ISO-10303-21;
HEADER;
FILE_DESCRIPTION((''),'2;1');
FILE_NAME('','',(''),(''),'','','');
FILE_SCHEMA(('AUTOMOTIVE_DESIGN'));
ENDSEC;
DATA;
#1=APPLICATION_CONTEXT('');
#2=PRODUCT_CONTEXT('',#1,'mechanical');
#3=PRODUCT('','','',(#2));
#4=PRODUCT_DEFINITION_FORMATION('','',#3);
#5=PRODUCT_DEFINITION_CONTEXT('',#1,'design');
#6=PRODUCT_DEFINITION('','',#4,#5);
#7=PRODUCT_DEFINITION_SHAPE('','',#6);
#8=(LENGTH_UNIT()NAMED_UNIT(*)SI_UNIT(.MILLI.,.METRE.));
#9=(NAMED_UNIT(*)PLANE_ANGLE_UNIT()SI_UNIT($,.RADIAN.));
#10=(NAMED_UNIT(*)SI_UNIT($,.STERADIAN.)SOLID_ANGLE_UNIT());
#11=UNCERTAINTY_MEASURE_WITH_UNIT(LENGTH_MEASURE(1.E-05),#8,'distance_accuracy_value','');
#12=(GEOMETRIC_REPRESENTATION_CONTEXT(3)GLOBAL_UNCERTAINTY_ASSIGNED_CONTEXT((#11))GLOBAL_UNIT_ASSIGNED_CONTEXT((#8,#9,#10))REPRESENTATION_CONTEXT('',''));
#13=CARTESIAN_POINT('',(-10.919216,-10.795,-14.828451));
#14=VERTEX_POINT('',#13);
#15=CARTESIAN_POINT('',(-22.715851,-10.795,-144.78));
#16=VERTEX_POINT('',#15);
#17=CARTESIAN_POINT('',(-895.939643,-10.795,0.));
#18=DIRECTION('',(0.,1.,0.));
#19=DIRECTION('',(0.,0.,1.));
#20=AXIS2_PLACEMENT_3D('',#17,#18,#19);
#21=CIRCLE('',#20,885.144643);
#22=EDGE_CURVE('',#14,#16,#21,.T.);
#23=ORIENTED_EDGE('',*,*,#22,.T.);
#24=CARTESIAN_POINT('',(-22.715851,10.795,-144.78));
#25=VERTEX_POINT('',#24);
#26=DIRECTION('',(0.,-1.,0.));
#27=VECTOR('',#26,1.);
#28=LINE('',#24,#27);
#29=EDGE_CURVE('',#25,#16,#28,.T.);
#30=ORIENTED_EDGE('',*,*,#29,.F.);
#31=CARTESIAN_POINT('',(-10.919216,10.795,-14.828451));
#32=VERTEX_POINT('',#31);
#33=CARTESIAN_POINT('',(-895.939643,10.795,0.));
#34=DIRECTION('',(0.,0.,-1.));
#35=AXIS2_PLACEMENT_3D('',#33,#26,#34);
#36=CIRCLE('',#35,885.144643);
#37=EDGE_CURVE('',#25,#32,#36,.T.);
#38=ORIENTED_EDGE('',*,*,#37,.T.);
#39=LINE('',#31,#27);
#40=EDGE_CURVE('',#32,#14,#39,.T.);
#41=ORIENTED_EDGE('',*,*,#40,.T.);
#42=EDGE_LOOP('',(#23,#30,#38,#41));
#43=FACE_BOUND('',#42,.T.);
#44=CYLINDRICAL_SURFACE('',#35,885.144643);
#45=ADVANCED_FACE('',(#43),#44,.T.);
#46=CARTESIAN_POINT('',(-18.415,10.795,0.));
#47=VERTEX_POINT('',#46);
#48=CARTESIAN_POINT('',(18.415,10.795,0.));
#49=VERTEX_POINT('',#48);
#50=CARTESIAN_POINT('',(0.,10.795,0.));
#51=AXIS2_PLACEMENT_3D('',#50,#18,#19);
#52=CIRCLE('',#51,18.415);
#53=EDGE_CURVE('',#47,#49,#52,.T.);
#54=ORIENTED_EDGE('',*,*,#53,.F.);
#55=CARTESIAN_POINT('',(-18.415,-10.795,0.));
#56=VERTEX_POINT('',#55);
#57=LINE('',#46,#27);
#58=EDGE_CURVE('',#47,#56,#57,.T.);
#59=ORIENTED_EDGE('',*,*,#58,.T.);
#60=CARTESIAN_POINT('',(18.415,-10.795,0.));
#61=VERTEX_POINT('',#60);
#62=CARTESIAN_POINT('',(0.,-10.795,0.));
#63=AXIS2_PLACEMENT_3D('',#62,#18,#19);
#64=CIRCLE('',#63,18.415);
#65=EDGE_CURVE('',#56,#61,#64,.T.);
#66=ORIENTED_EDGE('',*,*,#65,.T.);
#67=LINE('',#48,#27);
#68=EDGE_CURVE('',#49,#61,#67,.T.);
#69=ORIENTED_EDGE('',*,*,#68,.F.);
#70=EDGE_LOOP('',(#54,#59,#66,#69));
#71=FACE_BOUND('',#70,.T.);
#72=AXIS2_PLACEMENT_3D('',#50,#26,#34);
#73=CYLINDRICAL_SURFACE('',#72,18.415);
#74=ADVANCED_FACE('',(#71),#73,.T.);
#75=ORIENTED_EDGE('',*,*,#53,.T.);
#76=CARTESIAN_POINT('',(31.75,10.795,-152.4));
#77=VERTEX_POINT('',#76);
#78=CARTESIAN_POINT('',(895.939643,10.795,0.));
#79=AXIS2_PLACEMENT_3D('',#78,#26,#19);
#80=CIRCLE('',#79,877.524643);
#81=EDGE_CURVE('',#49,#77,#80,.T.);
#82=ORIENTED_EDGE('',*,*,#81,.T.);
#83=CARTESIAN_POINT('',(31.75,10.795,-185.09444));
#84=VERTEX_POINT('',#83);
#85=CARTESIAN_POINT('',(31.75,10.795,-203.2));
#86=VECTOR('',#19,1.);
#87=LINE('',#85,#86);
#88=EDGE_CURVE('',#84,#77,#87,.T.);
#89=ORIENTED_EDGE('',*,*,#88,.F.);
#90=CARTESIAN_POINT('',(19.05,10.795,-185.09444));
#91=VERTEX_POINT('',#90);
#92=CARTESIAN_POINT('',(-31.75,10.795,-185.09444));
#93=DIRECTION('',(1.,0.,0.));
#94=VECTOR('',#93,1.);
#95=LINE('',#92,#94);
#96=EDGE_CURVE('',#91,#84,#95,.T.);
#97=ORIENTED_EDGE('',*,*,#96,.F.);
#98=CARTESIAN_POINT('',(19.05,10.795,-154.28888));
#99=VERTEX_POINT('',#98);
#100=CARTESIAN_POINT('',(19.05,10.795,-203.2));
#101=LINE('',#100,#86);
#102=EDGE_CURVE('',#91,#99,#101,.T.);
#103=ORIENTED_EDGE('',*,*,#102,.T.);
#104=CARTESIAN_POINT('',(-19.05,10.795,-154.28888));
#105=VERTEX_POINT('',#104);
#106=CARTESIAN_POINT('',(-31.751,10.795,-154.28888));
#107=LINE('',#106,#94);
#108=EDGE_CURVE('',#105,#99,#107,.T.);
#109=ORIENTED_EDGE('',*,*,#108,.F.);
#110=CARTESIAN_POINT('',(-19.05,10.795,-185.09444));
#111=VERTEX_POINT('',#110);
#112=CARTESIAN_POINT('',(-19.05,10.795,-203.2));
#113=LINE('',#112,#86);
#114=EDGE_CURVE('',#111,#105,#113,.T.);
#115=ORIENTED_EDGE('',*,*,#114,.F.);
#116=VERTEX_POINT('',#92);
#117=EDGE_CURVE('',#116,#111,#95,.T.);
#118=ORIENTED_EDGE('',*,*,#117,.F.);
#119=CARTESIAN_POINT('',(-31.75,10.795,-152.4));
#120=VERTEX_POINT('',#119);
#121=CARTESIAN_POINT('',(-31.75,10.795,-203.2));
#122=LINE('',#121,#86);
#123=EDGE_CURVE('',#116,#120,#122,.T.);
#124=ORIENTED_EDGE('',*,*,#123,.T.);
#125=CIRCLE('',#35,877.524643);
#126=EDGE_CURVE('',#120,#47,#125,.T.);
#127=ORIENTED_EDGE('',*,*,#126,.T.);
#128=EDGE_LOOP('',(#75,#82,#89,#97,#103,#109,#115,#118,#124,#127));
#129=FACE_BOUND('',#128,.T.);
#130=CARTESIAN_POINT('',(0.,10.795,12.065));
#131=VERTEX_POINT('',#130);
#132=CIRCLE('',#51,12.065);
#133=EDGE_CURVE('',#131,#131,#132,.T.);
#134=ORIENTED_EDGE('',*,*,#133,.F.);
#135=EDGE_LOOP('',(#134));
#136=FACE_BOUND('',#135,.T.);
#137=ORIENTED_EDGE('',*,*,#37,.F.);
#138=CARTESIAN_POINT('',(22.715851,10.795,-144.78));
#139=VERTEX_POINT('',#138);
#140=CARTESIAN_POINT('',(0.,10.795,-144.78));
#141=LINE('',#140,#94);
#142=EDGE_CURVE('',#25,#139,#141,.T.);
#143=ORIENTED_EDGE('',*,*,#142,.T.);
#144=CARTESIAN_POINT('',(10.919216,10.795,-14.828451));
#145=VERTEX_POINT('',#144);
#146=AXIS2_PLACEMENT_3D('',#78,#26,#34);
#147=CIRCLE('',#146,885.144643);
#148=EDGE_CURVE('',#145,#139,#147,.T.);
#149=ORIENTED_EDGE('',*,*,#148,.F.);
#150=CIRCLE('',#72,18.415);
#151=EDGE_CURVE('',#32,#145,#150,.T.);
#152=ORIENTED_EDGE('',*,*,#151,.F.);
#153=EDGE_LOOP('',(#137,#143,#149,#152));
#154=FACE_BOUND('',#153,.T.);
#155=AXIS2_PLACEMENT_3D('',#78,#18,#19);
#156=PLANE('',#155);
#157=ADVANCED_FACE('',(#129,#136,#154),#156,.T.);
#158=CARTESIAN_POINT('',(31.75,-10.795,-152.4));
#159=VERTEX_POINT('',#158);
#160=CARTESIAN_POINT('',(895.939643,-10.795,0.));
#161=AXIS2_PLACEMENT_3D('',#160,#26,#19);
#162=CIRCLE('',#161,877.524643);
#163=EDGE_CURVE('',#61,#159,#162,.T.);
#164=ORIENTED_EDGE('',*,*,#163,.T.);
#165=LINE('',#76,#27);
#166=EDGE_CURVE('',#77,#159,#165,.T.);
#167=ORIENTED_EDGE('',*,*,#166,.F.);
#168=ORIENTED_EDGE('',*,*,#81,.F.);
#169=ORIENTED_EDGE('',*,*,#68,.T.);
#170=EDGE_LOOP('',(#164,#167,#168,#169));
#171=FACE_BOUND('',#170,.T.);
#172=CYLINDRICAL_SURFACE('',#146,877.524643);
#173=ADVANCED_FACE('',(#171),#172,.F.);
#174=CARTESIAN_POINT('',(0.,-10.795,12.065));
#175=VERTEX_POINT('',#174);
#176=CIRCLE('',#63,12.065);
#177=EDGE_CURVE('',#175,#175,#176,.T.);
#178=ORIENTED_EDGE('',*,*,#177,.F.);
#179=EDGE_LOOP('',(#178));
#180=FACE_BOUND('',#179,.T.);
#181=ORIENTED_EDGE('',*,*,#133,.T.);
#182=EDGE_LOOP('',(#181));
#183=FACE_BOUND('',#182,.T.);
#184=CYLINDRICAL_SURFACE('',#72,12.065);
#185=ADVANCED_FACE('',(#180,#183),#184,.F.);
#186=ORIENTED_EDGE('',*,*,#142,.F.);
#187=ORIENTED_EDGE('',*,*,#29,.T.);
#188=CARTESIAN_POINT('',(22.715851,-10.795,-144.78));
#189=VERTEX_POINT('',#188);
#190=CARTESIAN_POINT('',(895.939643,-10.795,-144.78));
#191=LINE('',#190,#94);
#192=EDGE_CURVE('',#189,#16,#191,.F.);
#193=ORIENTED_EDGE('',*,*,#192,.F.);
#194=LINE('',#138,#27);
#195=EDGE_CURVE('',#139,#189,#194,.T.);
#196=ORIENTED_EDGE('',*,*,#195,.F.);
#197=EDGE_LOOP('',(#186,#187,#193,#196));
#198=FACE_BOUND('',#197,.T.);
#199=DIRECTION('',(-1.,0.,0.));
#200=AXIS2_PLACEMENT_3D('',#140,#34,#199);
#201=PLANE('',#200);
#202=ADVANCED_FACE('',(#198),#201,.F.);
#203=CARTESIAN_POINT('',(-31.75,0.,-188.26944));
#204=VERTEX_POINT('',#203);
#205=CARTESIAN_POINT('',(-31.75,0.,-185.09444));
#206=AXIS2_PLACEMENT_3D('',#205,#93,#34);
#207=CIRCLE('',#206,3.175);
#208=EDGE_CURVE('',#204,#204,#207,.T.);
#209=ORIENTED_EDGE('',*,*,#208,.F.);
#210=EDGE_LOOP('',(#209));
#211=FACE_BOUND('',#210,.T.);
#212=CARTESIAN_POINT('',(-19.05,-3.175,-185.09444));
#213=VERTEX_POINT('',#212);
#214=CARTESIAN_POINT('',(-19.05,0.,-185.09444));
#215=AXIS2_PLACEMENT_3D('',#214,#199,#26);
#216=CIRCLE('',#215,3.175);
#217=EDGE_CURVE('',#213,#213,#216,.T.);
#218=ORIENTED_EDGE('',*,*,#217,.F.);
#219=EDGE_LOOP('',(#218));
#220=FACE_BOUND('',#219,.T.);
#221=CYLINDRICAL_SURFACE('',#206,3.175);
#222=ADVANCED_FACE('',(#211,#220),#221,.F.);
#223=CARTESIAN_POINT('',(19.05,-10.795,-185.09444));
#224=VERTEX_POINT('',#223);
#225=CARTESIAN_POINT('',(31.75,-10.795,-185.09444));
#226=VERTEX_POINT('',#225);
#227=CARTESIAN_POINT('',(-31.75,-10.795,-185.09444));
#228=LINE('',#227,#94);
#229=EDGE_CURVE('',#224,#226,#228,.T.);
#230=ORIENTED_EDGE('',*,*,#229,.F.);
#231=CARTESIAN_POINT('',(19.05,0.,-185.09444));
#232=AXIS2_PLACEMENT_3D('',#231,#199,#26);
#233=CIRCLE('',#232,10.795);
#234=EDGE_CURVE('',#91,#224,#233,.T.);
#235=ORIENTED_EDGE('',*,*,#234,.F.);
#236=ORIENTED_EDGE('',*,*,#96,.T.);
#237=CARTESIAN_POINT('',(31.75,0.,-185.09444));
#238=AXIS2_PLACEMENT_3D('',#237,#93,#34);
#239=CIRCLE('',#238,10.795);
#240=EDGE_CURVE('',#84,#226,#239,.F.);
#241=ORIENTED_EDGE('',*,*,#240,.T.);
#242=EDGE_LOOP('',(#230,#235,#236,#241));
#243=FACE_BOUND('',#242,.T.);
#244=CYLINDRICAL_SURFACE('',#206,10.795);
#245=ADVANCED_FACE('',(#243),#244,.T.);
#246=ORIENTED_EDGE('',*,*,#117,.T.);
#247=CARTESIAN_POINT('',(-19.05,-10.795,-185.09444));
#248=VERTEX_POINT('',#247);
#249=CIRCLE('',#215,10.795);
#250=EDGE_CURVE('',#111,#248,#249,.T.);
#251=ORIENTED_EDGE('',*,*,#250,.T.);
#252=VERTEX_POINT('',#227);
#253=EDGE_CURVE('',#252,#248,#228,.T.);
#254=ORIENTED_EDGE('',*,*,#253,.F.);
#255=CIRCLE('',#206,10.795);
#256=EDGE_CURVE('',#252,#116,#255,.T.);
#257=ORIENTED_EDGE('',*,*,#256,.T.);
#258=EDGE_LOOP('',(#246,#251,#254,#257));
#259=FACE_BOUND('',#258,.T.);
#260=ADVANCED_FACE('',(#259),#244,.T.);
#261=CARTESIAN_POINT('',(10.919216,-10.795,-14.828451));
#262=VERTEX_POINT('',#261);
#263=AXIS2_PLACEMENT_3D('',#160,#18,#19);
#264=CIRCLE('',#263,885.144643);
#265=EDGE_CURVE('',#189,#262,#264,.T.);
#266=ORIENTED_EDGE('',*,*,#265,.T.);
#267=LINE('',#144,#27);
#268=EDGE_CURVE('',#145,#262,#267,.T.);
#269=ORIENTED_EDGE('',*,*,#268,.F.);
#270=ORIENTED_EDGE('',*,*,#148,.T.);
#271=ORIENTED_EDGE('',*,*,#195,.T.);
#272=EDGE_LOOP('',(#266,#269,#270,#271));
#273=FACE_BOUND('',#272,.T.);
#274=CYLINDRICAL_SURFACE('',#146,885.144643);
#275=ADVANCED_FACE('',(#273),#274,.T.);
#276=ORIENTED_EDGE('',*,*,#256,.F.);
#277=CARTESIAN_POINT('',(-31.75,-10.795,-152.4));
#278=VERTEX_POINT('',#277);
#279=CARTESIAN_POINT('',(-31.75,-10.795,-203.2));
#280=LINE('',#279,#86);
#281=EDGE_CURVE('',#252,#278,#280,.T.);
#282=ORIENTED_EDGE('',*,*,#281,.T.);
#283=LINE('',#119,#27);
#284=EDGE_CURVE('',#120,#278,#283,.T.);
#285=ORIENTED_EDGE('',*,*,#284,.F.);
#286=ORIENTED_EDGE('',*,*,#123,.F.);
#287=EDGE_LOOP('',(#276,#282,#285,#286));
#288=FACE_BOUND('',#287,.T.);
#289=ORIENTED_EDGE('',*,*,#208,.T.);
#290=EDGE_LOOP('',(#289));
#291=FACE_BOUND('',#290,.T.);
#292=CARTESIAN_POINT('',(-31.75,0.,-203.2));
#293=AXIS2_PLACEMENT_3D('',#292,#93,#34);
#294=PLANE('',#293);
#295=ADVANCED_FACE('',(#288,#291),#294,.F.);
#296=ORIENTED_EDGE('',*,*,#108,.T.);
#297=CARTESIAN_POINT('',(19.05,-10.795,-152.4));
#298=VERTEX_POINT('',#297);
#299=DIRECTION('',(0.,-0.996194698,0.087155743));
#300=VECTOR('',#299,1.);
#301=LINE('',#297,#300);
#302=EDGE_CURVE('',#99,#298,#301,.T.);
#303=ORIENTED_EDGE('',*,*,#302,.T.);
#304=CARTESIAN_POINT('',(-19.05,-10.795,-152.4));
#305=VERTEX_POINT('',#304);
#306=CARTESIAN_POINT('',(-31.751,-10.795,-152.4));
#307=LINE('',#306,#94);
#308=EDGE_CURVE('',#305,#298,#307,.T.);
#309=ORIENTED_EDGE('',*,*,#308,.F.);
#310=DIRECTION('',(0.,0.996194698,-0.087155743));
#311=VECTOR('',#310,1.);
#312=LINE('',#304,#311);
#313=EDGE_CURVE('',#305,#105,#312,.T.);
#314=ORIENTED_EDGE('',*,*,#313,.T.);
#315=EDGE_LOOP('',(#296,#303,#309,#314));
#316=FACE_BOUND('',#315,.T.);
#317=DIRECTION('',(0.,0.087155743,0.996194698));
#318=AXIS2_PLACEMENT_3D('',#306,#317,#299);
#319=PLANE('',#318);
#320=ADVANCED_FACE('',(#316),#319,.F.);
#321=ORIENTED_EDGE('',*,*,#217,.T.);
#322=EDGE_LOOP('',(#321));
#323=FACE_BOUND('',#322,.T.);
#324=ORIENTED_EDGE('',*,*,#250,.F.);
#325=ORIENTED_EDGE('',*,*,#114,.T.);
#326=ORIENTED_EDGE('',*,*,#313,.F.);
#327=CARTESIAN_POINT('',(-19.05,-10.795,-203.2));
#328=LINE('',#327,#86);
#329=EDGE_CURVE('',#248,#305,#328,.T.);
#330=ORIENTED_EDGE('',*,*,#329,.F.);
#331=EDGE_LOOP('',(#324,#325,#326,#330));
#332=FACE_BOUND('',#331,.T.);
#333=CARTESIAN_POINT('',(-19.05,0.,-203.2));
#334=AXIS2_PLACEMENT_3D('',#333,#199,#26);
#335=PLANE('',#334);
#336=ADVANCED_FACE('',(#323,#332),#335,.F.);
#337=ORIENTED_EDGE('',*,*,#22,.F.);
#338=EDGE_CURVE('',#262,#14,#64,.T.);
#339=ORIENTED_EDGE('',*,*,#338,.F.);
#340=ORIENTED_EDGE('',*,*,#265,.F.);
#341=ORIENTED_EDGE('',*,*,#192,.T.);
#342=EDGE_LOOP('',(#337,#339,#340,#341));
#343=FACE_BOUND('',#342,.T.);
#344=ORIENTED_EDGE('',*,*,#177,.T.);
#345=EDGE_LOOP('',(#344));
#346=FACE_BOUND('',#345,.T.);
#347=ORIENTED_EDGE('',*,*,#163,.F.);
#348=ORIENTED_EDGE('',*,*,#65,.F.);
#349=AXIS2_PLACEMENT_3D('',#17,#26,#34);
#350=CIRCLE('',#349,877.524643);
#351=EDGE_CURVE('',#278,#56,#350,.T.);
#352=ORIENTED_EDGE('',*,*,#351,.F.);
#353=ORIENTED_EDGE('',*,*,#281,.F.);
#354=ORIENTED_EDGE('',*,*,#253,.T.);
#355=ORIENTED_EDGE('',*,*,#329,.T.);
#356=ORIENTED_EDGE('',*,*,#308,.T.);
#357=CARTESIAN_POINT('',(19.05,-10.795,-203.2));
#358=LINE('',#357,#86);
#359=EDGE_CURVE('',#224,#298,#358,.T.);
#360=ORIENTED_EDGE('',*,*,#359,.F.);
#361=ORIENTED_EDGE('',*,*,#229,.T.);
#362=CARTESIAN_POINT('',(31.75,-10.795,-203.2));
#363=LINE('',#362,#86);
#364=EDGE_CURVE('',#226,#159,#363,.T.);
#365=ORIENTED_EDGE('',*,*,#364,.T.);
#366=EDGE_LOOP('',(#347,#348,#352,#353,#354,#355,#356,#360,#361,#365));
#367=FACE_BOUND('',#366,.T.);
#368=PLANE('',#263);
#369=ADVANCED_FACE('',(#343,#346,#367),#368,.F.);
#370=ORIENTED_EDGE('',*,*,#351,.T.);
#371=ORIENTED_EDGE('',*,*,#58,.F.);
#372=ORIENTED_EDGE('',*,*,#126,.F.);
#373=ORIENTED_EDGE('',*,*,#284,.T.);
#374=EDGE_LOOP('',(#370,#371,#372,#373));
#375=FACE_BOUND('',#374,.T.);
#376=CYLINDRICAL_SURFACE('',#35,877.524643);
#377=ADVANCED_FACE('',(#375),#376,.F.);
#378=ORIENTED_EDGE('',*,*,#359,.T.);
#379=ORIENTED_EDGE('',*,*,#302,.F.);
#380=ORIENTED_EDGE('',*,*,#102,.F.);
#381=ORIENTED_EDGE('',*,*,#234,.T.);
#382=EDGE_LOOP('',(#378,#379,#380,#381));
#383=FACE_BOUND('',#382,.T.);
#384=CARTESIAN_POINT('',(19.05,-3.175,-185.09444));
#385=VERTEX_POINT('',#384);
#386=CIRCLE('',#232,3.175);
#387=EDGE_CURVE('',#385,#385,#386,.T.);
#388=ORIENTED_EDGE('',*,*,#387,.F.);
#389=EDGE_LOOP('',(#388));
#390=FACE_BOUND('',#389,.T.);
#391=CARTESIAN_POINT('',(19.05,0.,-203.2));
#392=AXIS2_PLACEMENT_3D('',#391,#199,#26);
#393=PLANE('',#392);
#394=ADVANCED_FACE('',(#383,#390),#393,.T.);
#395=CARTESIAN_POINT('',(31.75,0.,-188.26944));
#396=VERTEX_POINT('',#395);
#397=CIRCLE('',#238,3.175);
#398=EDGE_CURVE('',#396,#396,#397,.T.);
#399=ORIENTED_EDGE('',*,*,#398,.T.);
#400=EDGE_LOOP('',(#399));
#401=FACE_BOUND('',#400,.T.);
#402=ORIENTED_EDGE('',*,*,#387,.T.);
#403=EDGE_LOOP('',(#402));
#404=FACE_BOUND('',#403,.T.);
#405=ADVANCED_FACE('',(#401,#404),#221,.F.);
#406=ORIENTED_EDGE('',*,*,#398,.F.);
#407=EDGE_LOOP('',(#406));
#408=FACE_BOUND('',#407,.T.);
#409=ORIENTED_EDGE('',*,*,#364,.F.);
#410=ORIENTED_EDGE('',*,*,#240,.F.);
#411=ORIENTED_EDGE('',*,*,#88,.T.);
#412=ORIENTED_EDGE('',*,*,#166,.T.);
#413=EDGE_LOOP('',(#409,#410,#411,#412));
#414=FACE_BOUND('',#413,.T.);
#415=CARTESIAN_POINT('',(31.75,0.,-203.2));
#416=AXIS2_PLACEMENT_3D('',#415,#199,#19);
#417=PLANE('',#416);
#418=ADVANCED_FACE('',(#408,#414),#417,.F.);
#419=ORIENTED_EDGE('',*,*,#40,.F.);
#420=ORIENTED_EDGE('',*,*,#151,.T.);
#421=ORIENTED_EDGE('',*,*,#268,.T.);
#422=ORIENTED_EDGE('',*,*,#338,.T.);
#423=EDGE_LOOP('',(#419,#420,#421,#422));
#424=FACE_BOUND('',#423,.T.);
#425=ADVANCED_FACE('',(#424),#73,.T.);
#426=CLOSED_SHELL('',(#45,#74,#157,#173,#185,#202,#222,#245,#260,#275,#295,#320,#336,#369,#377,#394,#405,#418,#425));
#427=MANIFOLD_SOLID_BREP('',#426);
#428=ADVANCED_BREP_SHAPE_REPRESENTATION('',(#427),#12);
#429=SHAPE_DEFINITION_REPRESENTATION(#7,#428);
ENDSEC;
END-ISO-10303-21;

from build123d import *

# Parameters (mm, degrees)
SKETCH1_R               = 12.065
BOSS_EXTRUDE1_DEPTH     = 10.795
SKETCH5_W               = 38.1
SKETCH5_H               = 21.59
BOSS_EXTRUDE2_DEPTH     = 101.6
CUT_EXTRUDE1_REACH      = 261.255
SKETCH6_R               = 3.175
SKETCH4_W               = 12.7
SKETCH4_H               = 21.59
BOSS_EXTRUDE3_DEPTH     = 50.8
CUT_EXTRUDE2_DEPTH      = 210.73176208
CUT_EXTRUDE2_DEPTH_BACK = 210.73176208
SKETCH6_2_R             = 3.175
CUT_EXTRUDE3_DEPTH      = 214.164307578
CUT_EXTRUDE3_DEPTH_BACK = 214.164307578
CUT_EXTRUDE4_DEPTH      = 200.616791257
CUT_EXTRUDE4_DEPTH_BACK = 200.616791257


with BuildPart() as part:
    # Sketch1 → Boss-Extrude1 (new, symmetric)
    with BuildSketch(Plane(origin=(0, 0, 0), x_dir=(1, 0, 0), z_dir=(0, 1, 0))):
        with BuildLine():
            Line((-31.75, 152.4), (31.75, 152.4))
            ThreePointArc((31.75, 152.4), (21.755106695, 76.491146914), (18.415, 0))
            ThreePointArc((18.415, 0), (0, -18.415), (-18.415, 0))
            ThreePointArc((-18.415, 0), (-21.755106695, 76.491146914), (-31.75, 152.4))
        make_face()
        Circle(SKETCH1_R, mode=Mode.SUBTRACT)
    extrude(amount=BOSS_EXTRUDE1_DEPTH, both=True)

    # Sketch5 → Boss-Extrude2 (add)
    with BuildSketch(Plane(origin=(0, 0, -152.4), x_dir=(-1, 0, 0), z_dir=(0, 0, -1))):
        Rectangle(SKETCH5_W, SKETCH5_H)
    extrude(amount=BOSS_EXTRUDE2_DEPTH)

    # Sketch6 → Cut-Extrude1 (cut, up to next)
    with BuildSketch(Plane(origin=(19.05, 0, 0), x_dir=(0, 0, -1), z_dir=(1, 0, 0)), mode=Mode.PRIVATE) as cut_extrude1_sk1:
        Polygon((152.4, -10.795), (154.288880246, 10.795), (254, 10.795), (254, -10.795), align=None)
        with Locations((185.094440123, 0)):
            Circle(SKETCH6_R, mode=Mode.SUBTRACT)
    cut_extrude1_tool1 = extrude(cut_extrude1_sk1.sketch, amount=-CUT_EXTRUDE1_REACH, mode=Mode.PRIVATE) & part.part
    add(cut_extrude1_tool1.solids().sort_by_distance((19.05, -0.034262, -203.945458))[0], mode=Mode.SUBTRACT)


with BuildPart() as cut_extrude1_piece_1:
    # of the separate pieces the step leaves, piece 1, a body of its own (cut_extrude1_pieces)
    add(part.part.solids().sort_by_distance((-31.75, -10.795, -152.4))[0])

    # Sketch4 → Boss-Extrude3 (add)
    with BuildSketch(Plane(origin=(0, 0, -152.4), x_dir=(-1, 0, 0), z_dir=(0, 0, -1))):
        with Locations((-25.4, 0)):
            Rectangle(SKETCH4_W, SKETCH4_H)
        with Locations((25.4, 0)):
            Rectangle(SKETCH4_W, SKETCH4_H)
    extrude(amount=BOSS_EXTRUDE3_DEPTH)


with BuildPart() as cut_extrude1_piece_2:
    # of the separate pieces the step leaves, piece 2, a body of its own (cut_extrude1_pieces)
    add(part.part.solids().sort_by_distance((-19.05, 0, -188.269440123))[0])


with BuildPart() as cut_extrude2_tool:
    # Sketch6<2> → Cut-Extrude2 (new, two sides: drawn at the far end of the back side and taken through both)
    with BuildSketch(Plane(origin=(19.05, 0, 0), x_dir=(0, 0, -1), z_dir=(1, 0, 0)).offset(-CUT_EXTRUDE2_DEPTH_BACK)):
        with Locations((185.094440123, 0)):
            Circle(SKETCH6_2_R)
    extrude(amount=CUT_EXTRUDE2_DEPTH + CUT_EXTRUDE2_DEPTH_BACK)


with BuildPart() as cut_extrude1_piece_1_1:
    add(cut_extrude1_piece_1.part)

    # Cut-Extrude2: cut by cut_extrude2_tool
    add(cut_extrude2_tool.part, mode=Mode.SUBTRACT)

    # Sketch7 → Cut-Extrude3 (cut, two sides: drawn at the far end of the back side and taken through both)
    with BuildSketch(Plane(origin=(31.75, 0, 0), x_dir=(0, 0, -1), z_dir=(1, 0, 0)).offset(-CUT_EXTRUDE3_DEPTH_BACK)):
        with BuildLine():
            Line((203.2, 10.795), (185.094440123, 10.795))
            ThreePointArc((185.094440123, 10.795), (192.727657826, 7.633217703), (195.889440123, 0))
            ThreePointArc((195.889440123, 0), (192.727657826, -7.633217703), (185.094440123, -10.795))
            Line((185.094440123, -10.795), (203.2, -10.795))
            Line((203.2, -10.795), (203.2, 10.795))
        make_face()
    extrude(amount=CUT_EXTRUDE3_DEPTH + CUT_EXTRUDE3_DEPTH_BACK, mode=Mode.SUBTRACT)

    # Sketch8 → Cut-Extrude4 (cut, two sides: drawn at the far end of the back side and taken through both)
    with BuildSketch(Plane.XZ.offset(10.795).offset(-CUT_EXTRUDE4_DEPTH_BACK)):
        with BuildLine():
            ThreePointArc((-10.919216068, -14.828450541), (-14.419629325, -80.021900258), (-22.715851164, -144.78))
            Line((-22.715851164, -144.78), (22.715851164, -144.78))
            ThreePointArc((22.715851164, -144.78), (14.419629325, -80.021900258), (10.919216068, -14.828450541))
            ThreePointArc((10.919216068, -14.828450541), (0, -18.415), (-10.919216068, -14.828450541))
        make_face()
    extrude(amount=CUT_EXTRUDE4_DEPTH + CUT_EXTRUDE4_DEPTH_BACK, mode=Mode.SUBTRACT)


with BuildPart() as cut_extrude1_piece_2_1:
    add(cut_extrude1_piece_2.part)

    # Cut-Extrude2: cut by cut_extrude2_tool
    add(cut_extrude2_tool.part, mode=Mode.SUBTRACT)


solid = cut_extrude1_piece_1_1.part
